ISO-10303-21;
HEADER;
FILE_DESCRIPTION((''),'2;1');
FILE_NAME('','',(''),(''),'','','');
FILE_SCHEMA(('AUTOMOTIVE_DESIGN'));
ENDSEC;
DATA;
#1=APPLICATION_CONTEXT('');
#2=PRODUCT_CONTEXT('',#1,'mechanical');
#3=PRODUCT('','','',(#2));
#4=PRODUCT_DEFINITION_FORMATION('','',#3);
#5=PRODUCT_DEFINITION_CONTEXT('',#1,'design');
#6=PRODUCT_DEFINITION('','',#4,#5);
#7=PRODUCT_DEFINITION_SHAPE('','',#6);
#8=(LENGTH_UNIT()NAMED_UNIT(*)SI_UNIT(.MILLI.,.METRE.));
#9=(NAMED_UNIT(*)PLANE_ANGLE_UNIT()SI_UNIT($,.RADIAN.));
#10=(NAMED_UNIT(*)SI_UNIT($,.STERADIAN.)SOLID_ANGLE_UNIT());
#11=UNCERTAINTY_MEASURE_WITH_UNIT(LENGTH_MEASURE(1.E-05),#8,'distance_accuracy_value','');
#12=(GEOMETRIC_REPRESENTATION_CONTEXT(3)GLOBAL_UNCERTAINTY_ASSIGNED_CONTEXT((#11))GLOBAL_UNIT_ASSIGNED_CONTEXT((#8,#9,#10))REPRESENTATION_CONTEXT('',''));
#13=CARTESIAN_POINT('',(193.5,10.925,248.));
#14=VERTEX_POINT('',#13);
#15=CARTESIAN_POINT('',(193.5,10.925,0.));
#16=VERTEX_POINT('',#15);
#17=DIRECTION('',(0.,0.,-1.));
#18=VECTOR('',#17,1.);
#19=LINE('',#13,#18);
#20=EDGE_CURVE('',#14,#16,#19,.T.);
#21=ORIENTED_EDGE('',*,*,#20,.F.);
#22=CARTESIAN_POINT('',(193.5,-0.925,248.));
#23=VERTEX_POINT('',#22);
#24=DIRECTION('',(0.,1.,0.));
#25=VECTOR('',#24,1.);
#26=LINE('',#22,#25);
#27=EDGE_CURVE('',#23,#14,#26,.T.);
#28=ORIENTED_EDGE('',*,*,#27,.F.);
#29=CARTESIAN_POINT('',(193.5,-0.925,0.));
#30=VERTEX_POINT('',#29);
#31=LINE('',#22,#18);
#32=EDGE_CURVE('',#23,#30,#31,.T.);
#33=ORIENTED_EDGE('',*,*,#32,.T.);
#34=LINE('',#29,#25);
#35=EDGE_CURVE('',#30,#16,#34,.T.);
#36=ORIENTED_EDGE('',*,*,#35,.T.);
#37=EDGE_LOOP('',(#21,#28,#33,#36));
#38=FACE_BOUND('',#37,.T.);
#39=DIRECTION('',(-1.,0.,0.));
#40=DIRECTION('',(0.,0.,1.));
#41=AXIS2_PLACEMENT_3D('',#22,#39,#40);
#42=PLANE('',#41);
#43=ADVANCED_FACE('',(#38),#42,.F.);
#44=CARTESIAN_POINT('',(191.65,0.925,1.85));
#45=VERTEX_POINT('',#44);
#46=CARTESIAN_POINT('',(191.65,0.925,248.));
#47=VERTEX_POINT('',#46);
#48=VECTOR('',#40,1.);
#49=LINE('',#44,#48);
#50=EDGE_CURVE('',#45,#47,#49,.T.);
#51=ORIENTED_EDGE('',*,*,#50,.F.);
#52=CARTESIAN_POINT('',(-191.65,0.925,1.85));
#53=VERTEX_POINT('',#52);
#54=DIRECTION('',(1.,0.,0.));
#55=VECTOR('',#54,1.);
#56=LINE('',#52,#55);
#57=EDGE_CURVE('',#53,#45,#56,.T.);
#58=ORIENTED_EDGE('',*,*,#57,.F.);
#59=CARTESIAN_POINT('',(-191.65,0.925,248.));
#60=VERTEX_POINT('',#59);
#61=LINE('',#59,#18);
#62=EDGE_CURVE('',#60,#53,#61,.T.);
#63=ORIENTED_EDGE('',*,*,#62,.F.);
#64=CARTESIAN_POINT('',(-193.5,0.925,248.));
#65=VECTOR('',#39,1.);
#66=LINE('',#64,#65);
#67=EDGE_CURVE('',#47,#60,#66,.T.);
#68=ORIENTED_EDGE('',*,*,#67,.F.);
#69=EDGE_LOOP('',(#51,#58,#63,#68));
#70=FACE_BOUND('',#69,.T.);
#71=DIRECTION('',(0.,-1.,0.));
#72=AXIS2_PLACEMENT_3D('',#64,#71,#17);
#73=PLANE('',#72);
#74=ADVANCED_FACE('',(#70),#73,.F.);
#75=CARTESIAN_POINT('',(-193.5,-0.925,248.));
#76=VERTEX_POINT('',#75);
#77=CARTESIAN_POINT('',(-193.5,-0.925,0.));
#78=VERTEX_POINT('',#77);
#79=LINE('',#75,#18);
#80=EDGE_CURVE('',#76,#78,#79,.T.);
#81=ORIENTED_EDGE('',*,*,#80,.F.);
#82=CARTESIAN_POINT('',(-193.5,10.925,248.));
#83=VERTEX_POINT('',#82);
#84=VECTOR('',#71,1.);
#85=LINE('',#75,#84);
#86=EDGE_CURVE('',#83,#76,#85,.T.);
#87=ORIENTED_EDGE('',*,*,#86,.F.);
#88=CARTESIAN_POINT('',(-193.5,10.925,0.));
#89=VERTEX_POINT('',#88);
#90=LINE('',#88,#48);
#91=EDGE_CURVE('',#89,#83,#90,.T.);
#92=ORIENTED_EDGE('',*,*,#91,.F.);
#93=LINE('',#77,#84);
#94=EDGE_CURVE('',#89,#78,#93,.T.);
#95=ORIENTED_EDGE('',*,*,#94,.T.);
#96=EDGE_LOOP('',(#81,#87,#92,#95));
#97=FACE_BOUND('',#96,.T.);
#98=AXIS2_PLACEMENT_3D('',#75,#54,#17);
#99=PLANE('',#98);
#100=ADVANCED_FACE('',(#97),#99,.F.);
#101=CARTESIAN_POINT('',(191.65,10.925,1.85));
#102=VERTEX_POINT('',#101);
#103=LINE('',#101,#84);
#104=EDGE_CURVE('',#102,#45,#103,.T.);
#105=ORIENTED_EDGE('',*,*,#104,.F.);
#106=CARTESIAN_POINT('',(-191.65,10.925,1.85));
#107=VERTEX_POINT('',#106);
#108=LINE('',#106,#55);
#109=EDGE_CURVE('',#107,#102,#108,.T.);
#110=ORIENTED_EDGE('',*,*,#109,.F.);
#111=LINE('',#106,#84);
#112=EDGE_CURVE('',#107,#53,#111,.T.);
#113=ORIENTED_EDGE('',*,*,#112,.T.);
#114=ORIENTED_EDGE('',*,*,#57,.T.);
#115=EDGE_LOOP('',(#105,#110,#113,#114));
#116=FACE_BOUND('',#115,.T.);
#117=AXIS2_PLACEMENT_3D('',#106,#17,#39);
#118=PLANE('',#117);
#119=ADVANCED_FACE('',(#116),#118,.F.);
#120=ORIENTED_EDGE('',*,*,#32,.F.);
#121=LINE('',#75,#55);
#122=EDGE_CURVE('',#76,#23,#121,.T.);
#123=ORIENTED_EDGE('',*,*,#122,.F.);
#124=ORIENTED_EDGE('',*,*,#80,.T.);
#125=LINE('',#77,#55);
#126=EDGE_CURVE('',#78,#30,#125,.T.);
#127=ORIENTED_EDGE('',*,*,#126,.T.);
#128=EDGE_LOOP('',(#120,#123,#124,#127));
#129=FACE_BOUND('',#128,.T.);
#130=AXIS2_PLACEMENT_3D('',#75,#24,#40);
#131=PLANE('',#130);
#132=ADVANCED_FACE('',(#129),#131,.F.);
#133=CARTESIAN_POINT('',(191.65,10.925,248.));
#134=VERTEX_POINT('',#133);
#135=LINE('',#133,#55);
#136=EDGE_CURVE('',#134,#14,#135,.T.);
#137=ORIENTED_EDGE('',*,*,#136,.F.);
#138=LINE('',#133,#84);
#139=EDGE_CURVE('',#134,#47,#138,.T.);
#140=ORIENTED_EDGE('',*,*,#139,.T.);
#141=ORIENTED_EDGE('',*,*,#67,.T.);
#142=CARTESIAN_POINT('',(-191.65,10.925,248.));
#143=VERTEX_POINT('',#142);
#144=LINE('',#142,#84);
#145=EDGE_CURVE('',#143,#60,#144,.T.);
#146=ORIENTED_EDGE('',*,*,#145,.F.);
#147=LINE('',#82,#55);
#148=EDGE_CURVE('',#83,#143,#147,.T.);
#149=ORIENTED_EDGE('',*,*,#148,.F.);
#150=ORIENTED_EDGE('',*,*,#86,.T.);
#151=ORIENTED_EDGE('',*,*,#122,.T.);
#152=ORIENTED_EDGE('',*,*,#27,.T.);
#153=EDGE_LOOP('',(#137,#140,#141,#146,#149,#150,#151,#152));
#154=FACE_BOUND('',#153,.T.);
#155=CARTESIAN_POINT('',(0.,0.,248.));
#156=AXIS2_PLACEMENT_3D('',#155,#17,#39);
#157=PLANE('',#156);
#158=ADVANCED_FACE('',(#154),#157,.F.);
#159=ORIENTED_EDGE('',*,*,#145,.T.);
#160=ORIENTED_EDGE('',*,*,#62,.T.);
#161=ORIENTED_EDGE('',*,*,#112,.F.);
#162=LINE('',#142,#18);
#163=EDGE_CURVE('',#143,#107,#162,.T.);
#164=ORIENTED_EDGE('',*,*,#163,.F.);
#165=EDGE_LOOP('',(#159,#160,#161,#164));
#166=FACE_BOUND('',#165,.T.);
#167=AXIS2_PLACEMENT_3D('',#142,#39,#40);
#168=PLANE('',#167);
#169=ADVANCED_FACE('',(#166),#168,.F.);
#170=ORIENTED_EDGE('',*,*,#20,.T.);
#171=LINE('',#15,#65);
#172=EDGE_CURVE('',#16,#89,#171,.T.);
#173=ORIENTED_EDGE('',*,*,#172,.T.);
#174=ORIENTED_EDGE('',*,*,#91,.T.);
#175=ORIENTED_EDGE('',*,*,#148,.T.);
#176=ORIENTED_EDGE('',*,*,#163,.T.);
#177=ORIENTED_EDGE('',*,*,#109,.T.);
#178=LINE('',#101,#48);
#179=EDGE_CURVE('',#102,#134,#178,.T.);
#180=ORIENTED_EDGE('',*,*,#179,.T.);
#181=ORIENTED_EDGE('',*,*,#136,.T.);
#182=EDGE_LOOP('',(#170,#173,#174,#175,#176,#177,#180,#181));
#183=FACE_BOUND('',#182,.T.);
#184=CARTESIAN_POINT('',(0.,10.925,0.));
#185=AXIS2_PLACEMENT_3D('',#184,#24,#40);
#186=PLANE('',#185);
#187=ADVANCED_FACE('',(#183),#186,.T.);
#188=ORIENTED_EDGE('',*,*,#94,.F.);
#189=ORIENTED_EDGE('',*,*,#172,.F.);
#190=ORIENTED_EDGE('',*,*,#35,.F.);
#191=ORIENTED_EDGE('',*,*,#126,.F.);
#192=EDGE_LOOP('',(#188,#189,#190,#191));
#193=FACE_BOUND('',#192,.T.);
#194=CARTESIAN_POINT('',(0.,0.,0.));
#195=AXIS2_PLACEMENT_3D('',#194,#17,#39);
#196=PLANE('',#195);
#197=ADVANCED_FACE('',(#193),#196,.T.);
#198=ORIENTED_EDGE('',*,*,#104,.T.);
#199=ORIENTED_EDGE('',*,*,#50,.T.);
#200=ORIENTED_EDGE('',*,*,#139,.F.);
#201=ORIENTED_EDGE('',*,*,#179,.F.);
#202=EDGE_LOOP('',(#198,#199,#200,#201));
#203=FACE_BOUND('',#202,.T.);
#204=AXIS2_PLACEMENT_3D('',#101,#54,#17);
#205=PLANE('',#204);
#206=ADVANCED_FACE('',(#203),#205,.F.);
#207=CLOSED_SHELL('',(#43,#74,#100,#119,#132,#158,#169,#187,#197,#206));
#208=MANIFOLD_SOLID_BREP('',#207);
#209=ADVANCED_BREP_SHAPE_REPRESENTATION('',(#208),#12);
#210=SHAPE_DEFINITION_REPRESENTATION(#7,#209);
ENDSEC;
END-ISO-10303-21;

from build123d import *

# Parameters (mm, degrees)
SZKIC1_W                    = 387
SZKIC1_H                    = 1.85
DODANIE_WYCI_GNI_CIE1_DEPTH = 248
DODANIE_WYCI_GNI_CIE2_DEPTH = 10


with BuildPart() as part:
    # Szkic1 → Dodanie-wyciągnięcie1 (new body)
    with BuildSketch(Plane.XY):
        Rectangle(SZKIC1_W, SZKIC1_H)
    extrude(amount=DODANIE_WYCI_GNI_CIE1_DEPTH)

    # Szkic3 → Dodanie-wyciągnięcie2 (add)
    with BuildSketch(Plane(origin=(0, 0.925, 0), x_dir=(1, 0, 0), z_dir=(0, 1, 0))):
        Polygon((193.5, -248), (193.5, 0), (-193.5, 0), (-193.5, -248), (-191.65, -248), (-191.65, -1.85), (191.65, -1.85), (191.65, -248), align=None)
    extrude(amount=DODANIE_WYCI_GNI_CIE2_DEPTH)


solid = part.part
